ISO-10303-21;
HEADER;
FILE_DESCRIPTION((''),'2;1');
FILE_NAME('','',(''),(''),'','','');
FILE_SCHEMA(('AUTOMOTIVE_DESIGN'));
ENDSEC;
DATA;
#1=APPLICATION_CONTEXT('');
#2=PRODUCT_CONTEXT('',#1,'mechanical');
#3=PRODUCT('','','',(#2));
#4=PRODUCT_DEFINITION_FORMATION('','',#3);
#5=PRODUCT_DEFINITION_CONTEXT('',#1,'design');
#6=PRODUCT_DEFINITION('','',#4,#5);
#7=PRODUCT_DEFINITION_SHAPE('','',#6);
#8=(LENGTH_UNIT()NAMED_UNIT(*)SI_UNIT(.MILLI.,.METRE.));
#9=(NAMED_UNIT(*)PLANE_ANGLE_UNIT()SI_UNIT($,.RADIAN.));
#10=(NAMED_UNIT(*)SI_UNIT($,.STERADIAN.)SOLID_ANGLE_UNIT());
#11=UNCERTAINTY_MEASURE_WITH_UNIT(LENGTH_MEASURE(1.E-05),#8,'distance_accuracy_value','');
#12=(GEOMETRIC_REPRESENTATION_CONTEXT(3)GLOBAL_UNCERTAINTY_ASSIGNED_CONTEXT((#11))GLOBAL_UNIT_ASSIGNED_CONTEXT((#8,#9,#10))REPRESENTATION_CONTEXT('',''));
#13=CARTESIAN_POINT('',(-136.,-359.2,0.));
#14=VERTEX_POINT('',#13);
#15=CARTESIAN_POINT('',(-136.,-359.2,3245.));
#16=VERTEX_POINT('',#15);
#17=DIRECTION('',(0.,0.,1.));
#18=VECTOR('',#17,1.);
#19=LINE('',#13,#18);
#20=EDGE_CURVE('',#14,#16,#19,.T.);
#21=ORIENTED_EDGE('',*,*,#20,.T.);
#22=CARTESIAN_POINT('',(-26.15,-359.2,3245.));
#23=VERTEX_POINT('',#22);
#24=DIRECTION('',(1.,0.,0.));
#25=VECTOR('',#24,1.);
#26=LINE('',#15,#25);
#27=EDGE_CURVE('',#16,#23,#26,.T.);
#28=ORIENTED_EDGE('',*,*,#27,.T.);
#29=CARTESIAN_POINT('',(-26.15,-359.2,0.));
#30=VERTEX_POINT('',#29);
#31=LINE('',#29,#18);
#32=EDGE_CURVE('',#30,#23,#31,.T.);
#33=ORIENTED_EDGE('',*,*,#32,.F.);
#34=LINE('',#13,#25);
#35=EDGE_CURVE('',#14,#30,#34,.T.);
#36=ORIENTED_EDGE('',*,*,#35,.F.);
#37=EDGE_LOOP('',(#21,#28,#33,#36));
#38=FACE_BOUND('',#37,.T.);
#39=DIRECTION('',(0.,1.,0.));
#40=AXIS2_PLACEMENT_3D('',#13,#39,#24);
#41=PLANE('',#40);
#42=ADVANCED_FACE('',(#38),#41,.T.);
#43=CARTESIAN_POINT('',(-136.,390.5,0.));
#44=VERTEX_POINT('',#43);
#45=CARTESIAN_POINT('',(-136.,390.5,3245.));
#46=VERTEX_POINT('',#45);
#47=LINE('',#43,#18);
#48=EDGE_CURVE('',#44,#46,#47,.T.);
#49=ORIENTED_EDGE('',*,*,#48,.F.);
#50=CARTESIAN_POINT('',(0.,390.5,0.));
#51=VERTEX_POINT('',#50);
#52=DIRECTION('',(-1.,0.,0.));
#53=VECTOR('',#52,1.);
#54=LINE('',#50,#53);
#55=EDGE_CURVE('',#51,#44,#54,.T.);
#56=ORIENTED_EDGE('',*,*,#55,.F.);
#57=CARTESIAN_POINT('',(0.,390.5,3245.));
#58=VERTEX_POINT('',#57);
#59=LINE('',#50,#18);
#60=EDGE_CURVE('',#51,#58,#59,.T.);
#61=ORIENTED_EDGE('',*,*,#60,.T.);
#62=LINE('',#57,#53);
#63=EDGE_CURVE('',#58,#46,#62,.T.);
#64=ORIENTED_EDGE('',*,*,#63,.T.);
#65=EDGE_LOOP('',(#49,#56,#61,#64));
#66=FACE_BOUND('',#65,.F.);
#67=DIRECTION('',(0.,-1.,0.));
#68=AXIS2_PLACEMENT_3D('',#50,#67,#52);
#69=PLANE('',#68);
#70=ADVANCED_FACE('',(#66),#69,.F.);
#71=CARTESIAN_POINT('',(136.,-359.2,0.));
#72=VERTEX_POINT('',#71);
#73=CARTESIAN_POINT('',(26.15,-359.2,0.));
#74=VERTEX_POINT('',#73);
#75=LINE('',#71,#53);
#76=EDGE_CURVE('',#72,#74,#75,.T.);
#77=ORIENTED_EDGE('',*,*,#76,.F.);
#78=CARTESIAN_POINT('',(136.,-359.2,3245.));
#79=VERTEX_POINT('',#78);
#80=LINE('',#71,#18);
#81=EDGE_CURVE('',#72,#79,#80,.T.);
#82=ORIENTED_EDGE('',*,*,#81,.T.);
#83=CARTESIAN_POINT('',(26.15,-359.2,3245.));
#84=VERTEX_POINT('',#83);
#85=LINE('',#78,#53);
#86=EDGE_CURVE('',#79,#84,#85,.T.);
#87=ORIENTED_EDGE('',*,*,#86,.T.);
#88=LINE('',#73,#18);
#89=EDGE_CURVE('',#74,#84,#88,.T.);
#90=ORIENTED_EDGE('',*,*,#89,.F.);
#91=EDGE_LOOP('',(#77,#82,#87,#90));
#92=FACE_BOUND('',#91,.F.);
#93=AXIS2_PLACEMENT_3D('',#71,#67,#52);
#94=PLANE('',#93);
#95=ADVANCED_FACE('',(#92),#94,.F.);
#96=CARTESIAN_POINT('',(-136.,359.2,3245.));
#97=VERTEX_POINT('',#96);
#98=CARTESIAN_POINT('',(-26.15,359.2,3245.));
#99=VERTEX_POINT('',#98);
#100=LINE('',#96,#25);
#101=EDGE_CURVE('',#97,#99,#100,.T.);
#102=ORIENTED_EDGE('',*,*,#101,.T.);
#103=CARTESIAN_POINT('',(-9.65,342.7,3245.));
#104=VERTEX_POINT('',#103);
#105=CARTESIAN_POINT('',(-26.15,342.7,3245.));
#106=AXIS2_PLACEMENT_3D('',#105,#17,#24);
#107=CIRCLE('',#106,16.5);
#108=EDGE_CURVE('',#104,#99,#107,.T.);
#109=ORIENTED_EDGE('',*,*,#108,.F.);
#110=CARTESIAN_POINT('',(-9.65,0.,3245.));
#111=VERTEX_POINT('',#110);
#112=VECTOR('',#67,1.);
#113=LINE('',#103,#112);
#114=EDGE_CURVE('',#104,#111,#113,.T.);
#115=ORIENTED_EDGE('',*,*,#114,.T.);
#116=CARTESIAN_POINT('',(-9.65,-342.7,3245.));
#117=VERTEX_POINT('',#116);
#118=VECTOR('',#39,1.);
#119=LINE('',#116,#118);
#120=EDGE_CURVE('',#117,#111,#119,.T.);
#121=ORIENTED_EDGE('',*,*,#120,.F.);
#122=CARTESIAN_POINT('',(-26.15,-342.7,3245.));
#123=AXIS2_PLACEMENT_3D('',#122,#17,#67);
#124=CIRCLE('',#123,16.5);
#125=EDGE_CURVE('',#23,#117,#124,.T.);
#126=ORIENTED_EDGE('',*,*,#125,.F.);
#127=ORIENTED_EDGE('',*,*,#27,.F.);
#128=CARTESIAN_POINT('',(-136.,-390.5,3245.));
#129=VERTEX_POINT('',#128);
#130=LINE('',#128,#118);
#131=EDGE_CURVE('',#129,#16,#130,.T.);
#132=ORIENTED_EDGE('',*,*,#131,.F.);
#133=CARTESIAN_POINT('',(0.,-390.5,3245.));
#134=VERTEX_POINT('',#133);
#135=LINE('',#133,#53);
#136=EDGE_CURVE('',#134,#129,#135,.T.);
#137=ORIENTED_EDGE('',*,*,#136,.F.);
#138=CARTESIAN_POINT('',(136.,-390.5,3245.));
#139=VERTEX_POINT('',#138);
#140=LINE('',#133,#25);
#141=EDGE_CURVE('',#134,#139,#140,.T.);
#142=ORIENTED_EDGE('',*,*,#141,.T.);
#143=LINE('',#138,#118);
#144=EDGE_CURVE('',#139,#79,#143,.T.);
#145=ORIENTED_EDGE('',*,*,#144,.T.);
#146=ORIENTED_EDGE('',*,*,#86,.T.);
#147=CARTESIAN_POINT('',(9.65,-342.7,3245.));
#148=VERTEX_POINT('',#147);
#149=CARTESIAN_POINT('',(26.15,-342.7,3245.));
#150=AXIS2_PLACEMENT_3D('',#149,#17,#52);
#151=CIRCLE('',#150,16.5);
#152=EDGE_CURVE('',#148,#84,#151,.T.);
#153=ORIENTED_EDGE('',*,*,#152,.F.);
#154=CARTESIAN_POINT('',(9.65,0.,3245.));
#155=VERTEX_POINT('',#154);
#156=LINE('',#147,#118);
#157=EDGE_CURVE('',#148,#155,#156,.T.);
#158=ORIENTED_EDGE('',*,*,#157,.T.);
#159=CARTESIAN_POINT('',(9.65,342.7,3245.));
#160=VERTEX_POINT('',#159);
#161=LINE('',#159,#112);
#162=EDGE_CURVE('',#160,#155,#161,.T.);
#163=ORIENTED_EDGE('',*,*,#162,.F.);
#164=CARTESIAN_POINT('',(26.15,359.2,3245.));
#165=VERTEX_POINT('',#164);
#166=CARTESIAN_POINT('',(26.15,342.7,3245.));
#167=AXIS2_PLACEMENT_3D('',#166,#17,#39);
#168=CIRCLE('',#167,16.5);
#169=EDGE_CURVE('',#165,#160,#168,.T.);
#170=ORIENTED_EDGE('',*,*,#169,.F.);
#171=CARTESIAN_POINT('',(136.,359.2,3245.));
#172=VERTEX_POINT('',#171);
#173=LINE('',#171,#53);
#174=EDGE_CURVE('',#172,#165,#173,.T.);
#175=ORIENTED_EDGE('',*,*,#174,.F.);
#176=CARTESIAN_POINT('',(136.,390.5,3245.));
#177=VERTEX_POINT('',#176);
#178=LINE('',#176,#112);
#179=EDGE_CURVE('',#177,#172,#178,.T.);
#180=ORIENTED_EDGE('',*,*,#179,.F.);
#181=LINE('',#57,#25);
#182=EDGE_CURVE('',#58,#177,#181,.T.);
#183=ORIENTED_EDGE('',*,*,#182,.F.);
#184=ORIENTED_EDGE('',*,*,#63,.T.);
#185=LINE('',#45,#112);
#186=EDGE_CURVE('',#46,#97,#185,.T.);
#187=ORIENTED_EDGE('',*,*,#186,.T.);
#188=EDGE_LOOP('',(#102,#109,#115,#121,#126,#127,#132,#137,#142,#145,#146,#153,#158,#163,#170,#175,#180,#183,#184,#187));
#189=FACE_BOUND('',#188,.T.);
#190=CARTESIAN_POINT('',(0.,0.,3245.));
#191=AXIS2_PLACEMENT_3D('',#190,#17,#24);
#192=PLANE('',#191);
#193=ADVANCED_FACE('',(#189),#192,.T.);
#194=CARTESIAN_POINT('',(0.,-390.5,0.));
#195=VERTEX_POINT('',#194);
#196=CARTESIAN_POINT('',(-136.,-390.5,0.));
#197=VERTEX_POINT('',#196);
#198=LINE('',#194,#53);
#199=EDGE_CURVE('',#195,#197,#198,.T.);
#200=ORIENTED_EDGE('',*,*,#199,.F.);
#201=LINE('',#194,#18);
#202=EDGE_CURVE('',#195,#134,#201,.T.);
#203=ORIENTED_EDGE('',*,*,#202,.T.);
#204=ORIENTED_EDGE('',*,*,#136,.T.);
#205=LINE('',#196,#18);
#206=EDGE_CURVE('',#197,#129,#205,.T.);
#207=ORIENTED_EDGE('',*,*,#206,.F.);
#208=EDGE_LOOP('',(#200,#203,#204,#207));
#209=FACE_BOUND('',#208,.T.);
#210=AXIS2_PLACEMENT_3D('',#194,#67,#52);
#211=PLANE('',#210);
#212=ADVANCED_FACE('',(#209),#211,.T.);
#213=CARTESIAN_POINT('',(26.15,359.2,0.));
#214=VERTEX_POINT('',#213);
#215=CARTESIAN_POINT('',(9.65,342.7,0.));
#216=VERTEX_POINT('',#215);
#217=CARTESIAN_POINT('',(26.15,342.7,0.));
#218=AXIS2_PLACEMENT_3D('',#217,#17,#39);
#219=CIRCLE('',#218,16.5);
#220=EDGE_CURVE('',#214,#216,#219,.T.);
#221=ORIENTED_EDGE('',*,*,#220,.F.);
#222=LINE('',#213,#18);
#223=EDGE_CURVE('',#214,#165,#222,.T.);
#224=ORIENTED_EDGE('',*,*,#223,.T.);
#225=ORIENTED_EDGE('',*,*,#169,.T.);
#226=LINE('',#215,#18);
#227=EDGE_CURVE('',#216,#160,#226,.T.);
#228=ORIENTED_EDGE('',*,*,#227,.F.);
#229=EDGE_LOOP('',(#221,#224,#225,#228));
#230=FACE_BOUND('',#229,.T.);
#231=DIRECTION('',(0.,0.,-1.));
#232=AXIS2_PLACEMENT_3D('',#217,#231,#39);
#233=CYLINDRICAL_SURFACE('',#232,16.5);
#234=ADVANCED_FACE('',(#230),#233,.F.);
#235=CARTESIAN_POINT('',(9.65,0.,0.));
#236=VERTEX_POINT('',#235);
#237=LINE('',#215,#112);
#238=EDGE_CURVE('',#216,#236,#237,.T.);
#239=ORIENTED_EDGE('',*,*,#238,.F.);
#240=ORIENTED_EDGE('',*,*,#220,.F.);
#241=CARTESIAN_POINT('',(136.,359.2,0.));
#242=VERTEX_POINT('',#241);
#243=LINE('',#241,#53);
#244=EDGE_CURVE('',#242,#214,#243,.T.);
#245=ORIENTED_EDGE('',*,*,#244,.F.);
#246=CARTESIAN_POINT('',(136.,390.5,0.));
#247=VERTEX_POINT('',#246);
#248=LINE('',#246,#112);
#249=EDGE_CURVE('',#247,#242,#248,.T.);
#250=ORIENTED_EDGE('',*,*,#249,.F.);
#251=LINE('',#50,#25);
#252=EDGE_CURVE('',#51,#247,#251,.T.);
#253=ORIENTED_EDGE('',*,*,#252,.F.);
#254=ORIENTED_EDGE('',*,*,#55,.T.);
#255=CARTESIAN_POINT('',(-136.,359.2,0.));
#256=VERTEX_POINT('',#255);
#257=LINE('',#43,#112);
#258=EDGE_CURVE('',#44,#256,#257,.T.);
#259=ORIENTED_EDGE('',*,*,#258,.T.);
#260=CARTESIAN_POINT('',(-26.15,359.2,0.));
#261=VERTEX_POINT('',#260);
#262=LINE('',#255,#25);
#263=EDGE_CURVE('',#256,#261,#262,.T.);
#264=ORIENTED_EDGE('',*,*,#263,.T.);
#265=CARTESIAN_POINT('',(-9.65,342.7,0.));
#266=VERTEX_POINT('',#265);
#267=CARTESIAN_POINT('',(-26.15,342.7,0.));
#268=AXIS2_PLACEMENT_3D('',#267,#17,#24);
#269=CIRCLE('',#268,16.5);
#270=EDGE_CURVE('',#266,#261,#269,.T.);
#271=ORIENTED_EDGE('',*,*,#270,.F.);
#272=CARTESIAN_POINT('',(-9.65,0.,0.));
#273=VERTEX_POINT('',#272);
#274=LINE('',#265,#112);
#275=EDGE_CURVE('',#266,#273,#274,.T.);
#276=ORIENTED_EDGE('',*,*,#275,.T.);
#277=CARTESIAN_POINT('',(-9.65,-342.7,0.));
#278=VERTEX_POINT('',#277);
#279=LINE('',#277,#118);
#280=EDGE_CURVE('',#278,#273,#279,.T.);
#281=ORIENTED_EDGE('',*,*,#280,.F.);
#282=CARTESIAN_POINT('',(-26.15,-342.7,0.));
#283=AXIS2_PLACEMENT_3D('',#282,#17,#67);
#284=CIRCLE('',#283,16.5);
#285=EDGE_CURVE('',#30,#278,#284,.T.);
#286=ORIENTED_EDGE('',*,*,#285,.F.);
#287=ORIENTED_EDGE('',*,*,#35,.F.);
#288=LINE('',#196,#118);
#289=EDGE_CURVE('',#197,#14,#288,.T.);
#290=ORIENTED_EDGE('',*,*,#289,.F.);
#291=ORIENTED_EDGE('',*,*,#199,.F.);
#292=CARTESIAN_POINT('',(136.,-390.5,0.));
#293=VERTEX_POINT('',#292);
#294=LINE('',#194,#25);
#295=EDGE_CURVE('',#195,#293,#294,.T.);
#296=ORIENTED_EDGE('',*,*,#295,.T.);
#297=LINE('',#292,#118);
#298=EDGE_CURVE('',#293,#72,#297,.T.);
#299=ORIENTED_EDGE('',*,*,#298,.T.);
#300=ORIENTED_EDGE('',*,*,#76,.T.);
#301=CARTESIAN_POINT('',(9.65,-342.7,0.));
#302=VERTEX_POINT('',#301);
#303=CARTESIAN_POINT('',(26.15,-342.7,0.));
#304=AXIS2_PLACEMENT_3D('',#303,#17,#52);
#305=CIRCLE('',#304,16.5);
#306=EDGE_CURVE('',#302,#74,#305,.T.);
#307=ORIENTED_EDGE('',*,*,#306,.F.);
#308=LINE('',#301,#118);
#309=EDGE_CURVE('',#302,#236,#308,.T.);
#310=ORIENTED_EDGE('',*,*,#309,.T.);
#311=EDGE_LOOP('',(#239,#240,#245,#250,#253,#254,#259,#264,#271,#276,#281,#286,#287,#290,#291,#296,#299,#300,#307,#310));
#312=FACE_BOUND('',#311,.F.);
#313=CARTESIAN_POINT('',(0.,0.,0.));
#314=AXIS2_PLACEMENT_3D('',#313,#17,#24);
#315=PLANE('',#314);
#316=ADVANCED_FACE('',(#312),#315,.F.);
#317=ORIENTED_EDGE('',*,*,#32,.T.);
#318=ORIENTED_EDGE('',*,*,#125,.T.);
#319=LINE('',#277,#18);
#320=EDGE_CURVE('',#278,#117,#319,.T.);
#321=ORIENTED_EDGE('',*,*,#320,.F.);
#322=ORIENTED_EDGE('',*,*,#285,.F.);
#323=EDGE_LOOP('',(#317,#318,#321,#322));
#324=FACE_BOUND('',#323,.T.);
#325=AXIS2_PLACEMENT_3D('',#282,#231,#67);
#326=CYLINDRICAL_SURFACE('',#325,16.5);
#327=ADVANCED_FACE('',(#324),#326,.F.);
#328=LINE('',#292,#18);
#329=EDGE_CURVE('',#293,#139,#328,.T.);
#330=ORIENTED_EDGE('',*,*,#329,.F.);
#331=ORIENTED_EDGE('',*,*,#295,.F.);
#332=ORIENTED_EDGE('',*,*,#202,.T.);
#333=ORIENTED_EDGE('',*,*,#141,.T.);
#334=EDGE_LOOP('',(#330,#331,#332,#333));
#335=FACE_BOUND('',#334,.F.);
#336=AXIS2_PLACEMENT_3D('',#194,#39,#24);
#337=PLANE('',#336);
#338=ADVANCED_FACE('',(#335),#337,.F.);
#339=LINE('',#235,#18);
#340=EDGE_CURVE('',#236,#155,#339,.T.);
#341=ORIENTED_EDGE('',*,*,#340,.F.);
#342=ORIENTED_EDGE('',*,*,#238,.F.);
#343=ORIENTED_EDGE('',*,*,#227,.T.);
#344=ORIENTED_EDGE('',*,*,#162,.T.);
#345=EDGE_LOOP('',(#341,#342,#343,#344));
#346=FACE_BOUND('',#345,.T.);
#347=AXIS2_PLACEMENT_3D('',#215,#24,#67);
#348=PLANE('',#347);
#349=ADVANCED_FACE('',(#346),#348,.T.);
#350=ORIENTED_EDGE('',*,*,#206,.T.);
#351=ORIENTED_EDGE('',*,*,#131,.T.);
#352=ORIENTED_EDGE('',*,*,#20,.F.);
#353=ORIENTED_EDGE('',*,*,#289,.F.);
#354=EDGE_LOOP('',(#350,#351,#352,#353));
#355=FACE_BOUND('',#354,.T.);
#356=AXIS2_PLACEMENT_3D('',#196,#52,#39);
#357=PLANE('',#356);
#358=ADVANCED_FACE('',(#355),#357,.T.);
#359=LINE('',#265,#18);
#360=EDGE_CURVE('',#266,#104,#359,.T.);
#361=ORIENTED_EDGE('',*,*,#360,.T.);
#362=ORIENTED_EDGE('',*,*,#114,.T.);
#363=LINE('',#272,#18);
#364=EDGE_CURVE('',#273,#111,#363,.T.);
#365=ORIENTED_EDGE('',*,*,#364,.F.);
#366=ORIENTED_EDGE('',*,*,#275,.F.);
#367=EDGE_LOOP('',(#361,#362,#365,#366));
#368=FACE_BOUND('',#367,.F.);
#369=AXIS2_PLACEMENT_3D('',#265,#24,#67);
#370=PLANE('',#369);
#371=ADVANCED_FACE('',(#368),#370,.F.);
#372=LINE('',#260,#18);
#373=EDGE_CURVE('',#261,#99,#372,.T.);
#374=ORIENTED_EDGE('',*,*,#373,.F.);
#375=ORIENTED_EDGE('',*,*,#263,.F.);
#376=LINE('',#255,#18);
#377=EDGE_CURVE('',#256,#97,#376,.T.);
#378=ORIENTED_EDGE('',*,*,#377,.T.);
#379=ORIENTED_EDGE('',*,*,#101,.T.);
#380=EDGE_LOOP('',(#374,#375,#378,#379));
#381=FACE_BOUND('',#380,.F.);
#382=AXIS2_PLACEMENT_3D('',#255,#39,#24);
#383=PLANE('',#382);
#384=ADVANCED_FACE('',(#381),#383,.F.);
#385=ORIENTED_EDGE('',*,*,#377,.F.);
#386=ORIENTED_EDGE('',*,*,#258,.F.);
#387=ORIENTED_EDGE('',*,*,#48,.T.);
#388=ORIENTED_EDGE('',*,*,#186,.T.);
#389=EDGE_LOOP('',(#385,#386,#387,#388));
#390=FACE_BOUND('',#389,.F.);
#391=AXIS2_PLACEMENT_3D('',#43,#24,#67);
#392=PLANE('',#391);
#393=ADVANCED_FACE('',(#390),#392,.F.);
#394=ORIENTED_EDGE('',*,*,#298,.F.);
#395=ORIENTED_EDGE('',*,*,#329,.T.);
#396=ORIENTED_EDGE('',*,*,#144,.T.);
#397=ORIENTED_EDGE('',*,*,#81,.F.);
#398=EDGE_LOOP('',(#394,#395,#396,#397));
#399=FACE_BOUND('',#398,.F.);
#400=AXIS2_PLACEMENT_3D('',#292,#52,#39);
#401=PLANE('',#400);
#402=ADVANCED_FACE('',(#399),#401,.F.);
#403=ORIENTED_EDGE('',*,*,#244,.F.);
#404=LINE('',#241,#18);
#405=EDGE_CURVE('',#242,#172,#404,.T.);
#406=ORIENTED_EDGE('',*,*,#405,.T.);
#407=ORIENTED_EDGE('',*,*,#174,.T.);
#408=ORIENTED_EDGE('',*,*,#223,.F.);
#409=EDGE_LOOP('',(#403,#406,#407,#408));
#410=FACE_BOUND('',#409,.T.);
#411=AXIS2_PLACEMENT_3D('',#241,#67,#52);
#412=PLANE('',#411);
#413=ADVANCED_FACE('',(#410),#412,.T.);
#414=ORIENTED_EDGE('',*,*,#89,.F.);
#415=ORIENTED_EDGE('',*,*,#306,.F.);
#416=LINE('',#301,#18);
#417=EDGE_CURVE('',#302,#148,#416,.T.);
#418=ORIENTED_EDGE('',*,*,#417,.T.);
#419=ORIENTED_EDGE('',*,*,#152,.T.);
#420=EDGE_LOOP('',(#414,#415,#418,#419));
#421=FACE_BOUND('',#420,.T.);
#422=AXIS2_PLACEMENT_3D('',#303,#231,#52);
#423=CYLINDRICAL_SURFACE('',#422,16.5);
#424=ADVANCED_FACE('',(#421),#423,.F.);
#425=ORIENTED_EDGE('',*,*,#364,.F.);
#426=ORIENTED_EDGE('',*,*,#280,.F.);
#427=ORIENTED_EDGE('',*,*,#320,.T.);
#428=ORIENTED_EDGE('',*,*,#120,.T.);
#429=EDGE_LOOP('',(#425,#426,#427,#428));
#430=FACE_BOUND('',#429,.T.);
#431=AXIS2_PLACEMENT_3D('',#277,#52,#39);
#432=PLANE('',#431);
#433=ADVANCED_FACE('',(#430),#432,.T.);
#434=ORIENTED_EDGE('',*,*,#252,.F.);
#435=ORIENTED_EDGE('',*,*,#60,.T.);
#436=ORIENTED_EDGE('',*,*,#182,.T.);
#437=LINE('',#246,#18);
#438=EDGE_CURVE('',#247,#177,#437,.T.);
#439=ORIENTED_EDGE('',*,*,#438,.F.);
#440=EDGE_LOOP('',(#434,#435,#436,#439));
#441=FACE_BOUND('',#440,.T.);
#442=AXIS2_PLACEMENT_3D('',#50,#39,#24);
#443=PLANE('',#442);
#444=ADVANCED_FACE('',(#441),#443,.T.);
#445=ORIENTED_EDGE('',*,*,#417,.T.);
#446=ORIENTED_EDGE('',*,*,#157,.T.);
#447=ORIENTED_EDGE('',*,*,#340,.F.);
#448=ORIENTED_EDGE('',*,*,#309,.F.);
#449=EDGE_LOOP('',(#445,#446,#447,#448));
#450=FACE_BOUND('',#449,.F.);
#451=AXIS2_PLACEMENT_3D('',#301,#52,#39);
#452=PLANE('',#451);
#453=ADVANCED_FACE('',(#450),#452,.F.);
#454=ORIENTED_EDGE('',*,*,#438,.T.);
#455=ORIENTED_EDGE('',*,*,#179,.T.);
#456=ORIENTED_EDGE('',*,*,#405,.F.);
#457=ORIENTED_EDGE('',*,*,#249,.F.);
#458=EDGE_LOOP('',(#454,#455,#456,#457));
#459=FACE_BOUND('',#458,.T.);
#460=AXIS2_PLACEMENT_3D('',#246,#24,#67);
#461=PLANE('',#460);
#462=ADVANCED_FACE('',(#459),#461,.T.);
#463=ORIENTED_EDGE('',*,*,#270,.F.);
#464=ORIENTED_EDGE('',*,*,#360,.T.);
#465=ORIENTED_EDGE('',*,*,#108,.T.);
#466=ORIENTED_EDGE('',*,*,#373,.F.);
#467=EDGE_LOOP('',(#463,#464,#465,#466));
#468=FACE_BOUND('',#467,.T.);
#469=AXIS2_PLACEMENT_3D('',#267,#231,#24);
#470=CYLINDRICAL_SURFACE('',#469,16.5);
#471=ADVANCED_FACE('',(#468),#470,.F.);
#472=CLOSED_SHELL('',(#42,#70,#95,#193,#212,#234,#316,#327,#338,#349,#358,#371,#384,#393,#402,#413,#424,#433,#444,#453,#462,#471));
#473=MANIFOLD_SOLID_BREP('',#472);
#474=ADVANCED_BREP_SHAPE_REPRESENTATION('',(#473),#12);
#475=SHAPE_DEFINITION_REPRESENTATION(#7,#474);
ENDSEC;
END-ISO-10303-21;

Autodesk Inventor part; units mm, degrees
ref_plane "YZ Plane" through (0, 0, 0) normal (1, 0, 0) x (0, 1, 0)
ref_plane "Start plane" through (0, 0, 0) normal (0, 0, 1) x (1, 0, 0)
ref_plane "End plane" through (0, 0, 3245) normal (0, 0, 1) x (1, 0, 0)
sketch "Sketch" plane through (0, 0, 0) normal (0, 0, 1) x (1, 0, 0)
  line L0 (-136, -390.5) -> (-136, -359.2)
  line L1 (-136, -359.2) -> (-26.15, -359.2)
  line L2 (-9.65, -342.7) -> (-9.65, 0)
  line L3 (-9.65, 0) -> (0, 0) construction
  line L4 (0, 0) -> (0, -390.5) construction
  line L5 (0, -390.5) -> (-136, -390.5)
  line L6 (-60, 0) -> (80, 0) construction
  line L7 (0, -60) -> (0, 80) construction
  line L8 (136, -390.5) -> (136, -359.2)
  line L9 (136, -359.2) -> (26.15, -359.2)
  line L10 (9.65, -342.7) -> (9.65, 0)
  line L11 (9.65, 0) -> (0, 0) construction
  line L12 (0, -390.5) -> (136, -390.5)
  line L13 (-136, 390.5) -> (-136, 359.2)
  line L14 (-136, 359.2) -> (-26.15, 359.2)
  line L15 (-9.65, 342.7) -> (-9.65, 0)
  line L16 (0, 390.5) -> (-136, 390.5)
  line L17 (136, 390.5) -> (136, 359.2)
  line L18 (136, 359.2) -> (26.15, 359.2)
  line L19 (0, 390.5) -> (136, 390.5)
  line L20 (9.65, 342.7) -> (9.65, 0)
  arc A0 (-9.65, 342.7) -> (-26.15, 359.2) centre (-26.15, 342.7) ccw
  arc A1 (26.15, 359.2) -> (9.65, 342.7) centre (26.15, 342.7) ccw
  arc A2 (9.65, -342.7) -> (26.15, -359.2) centre (26.15, -342.7) ccw
  arc A3 (-26.15, -359.2) -> (-9.65, -342.7) centre (-26.15, -342.7) ccw
  line L21 (0, 108) -> (0, -88) construction
  line L22 (-88, 0) -> (108, 0) construction
  point P0 (-9.65, -359.2)
  point P1 (9.65, -359.2)
  point P2 (-9.65, 359.2)
  point P3 (9.65, 359.2)
  dimension "d1" = 390.5
  dimension "d2" = 31.3
  dimension "d3" = 136
  dimension "d4" = 9.65
  dimension "d10" = 16.5
extrude "Body" add sketch "Sketch" along normal up to surface (3245 mm away) from surface at 0
sketch "Sketch4" plane through (0, 0, 0) normal (0, 0, 1) x (1, 0, 0)
  line L0 (0, 0) -> (10, 0)
ref_plane "Work Plane3" through (0, 0, 0) normal (0, -1, 0) x (1, 0, 0)
sketch "Sketch5" plane through (0, 0, 0) normal (0, -1, 0) x (1, 0, 0)
  line L0 (-2, 0) -> (12, 0) projected
  line L1 (-2, 3245) -> (12, 3245) projected
  dimension "d14" = 3245
equation "\"d1\" = 0.5 * G_H"
equation "\"d2\" = G_T1"
equation "\"d3\" = 0.5 * G_W"
equation "\"d4\" = 0.5 * G_T"
equation "\"d10\" = G_IR"
equation "\"d5\" = G_L"
equation "\"G_W\" = 272"
equation "\"G_H\" = 781"
equation "\"G_T\" = 19.3"
equation "\"G_T1\" = 31.3"
equation "\"G_IR\" = 16.5"
equation "\"G_L\" = d14"
equation "\"G_OFFSET_START\" = 0"
equation "\"G_OFFSET_END\" = 0"
equation "\"d12\" = G_OFFSET_END + B_L"
equation "\"B_L\" = 3245"
properties part number "AS 3679-1990 - 760 UB - 244 - 3245" material "Steel, Mild"
